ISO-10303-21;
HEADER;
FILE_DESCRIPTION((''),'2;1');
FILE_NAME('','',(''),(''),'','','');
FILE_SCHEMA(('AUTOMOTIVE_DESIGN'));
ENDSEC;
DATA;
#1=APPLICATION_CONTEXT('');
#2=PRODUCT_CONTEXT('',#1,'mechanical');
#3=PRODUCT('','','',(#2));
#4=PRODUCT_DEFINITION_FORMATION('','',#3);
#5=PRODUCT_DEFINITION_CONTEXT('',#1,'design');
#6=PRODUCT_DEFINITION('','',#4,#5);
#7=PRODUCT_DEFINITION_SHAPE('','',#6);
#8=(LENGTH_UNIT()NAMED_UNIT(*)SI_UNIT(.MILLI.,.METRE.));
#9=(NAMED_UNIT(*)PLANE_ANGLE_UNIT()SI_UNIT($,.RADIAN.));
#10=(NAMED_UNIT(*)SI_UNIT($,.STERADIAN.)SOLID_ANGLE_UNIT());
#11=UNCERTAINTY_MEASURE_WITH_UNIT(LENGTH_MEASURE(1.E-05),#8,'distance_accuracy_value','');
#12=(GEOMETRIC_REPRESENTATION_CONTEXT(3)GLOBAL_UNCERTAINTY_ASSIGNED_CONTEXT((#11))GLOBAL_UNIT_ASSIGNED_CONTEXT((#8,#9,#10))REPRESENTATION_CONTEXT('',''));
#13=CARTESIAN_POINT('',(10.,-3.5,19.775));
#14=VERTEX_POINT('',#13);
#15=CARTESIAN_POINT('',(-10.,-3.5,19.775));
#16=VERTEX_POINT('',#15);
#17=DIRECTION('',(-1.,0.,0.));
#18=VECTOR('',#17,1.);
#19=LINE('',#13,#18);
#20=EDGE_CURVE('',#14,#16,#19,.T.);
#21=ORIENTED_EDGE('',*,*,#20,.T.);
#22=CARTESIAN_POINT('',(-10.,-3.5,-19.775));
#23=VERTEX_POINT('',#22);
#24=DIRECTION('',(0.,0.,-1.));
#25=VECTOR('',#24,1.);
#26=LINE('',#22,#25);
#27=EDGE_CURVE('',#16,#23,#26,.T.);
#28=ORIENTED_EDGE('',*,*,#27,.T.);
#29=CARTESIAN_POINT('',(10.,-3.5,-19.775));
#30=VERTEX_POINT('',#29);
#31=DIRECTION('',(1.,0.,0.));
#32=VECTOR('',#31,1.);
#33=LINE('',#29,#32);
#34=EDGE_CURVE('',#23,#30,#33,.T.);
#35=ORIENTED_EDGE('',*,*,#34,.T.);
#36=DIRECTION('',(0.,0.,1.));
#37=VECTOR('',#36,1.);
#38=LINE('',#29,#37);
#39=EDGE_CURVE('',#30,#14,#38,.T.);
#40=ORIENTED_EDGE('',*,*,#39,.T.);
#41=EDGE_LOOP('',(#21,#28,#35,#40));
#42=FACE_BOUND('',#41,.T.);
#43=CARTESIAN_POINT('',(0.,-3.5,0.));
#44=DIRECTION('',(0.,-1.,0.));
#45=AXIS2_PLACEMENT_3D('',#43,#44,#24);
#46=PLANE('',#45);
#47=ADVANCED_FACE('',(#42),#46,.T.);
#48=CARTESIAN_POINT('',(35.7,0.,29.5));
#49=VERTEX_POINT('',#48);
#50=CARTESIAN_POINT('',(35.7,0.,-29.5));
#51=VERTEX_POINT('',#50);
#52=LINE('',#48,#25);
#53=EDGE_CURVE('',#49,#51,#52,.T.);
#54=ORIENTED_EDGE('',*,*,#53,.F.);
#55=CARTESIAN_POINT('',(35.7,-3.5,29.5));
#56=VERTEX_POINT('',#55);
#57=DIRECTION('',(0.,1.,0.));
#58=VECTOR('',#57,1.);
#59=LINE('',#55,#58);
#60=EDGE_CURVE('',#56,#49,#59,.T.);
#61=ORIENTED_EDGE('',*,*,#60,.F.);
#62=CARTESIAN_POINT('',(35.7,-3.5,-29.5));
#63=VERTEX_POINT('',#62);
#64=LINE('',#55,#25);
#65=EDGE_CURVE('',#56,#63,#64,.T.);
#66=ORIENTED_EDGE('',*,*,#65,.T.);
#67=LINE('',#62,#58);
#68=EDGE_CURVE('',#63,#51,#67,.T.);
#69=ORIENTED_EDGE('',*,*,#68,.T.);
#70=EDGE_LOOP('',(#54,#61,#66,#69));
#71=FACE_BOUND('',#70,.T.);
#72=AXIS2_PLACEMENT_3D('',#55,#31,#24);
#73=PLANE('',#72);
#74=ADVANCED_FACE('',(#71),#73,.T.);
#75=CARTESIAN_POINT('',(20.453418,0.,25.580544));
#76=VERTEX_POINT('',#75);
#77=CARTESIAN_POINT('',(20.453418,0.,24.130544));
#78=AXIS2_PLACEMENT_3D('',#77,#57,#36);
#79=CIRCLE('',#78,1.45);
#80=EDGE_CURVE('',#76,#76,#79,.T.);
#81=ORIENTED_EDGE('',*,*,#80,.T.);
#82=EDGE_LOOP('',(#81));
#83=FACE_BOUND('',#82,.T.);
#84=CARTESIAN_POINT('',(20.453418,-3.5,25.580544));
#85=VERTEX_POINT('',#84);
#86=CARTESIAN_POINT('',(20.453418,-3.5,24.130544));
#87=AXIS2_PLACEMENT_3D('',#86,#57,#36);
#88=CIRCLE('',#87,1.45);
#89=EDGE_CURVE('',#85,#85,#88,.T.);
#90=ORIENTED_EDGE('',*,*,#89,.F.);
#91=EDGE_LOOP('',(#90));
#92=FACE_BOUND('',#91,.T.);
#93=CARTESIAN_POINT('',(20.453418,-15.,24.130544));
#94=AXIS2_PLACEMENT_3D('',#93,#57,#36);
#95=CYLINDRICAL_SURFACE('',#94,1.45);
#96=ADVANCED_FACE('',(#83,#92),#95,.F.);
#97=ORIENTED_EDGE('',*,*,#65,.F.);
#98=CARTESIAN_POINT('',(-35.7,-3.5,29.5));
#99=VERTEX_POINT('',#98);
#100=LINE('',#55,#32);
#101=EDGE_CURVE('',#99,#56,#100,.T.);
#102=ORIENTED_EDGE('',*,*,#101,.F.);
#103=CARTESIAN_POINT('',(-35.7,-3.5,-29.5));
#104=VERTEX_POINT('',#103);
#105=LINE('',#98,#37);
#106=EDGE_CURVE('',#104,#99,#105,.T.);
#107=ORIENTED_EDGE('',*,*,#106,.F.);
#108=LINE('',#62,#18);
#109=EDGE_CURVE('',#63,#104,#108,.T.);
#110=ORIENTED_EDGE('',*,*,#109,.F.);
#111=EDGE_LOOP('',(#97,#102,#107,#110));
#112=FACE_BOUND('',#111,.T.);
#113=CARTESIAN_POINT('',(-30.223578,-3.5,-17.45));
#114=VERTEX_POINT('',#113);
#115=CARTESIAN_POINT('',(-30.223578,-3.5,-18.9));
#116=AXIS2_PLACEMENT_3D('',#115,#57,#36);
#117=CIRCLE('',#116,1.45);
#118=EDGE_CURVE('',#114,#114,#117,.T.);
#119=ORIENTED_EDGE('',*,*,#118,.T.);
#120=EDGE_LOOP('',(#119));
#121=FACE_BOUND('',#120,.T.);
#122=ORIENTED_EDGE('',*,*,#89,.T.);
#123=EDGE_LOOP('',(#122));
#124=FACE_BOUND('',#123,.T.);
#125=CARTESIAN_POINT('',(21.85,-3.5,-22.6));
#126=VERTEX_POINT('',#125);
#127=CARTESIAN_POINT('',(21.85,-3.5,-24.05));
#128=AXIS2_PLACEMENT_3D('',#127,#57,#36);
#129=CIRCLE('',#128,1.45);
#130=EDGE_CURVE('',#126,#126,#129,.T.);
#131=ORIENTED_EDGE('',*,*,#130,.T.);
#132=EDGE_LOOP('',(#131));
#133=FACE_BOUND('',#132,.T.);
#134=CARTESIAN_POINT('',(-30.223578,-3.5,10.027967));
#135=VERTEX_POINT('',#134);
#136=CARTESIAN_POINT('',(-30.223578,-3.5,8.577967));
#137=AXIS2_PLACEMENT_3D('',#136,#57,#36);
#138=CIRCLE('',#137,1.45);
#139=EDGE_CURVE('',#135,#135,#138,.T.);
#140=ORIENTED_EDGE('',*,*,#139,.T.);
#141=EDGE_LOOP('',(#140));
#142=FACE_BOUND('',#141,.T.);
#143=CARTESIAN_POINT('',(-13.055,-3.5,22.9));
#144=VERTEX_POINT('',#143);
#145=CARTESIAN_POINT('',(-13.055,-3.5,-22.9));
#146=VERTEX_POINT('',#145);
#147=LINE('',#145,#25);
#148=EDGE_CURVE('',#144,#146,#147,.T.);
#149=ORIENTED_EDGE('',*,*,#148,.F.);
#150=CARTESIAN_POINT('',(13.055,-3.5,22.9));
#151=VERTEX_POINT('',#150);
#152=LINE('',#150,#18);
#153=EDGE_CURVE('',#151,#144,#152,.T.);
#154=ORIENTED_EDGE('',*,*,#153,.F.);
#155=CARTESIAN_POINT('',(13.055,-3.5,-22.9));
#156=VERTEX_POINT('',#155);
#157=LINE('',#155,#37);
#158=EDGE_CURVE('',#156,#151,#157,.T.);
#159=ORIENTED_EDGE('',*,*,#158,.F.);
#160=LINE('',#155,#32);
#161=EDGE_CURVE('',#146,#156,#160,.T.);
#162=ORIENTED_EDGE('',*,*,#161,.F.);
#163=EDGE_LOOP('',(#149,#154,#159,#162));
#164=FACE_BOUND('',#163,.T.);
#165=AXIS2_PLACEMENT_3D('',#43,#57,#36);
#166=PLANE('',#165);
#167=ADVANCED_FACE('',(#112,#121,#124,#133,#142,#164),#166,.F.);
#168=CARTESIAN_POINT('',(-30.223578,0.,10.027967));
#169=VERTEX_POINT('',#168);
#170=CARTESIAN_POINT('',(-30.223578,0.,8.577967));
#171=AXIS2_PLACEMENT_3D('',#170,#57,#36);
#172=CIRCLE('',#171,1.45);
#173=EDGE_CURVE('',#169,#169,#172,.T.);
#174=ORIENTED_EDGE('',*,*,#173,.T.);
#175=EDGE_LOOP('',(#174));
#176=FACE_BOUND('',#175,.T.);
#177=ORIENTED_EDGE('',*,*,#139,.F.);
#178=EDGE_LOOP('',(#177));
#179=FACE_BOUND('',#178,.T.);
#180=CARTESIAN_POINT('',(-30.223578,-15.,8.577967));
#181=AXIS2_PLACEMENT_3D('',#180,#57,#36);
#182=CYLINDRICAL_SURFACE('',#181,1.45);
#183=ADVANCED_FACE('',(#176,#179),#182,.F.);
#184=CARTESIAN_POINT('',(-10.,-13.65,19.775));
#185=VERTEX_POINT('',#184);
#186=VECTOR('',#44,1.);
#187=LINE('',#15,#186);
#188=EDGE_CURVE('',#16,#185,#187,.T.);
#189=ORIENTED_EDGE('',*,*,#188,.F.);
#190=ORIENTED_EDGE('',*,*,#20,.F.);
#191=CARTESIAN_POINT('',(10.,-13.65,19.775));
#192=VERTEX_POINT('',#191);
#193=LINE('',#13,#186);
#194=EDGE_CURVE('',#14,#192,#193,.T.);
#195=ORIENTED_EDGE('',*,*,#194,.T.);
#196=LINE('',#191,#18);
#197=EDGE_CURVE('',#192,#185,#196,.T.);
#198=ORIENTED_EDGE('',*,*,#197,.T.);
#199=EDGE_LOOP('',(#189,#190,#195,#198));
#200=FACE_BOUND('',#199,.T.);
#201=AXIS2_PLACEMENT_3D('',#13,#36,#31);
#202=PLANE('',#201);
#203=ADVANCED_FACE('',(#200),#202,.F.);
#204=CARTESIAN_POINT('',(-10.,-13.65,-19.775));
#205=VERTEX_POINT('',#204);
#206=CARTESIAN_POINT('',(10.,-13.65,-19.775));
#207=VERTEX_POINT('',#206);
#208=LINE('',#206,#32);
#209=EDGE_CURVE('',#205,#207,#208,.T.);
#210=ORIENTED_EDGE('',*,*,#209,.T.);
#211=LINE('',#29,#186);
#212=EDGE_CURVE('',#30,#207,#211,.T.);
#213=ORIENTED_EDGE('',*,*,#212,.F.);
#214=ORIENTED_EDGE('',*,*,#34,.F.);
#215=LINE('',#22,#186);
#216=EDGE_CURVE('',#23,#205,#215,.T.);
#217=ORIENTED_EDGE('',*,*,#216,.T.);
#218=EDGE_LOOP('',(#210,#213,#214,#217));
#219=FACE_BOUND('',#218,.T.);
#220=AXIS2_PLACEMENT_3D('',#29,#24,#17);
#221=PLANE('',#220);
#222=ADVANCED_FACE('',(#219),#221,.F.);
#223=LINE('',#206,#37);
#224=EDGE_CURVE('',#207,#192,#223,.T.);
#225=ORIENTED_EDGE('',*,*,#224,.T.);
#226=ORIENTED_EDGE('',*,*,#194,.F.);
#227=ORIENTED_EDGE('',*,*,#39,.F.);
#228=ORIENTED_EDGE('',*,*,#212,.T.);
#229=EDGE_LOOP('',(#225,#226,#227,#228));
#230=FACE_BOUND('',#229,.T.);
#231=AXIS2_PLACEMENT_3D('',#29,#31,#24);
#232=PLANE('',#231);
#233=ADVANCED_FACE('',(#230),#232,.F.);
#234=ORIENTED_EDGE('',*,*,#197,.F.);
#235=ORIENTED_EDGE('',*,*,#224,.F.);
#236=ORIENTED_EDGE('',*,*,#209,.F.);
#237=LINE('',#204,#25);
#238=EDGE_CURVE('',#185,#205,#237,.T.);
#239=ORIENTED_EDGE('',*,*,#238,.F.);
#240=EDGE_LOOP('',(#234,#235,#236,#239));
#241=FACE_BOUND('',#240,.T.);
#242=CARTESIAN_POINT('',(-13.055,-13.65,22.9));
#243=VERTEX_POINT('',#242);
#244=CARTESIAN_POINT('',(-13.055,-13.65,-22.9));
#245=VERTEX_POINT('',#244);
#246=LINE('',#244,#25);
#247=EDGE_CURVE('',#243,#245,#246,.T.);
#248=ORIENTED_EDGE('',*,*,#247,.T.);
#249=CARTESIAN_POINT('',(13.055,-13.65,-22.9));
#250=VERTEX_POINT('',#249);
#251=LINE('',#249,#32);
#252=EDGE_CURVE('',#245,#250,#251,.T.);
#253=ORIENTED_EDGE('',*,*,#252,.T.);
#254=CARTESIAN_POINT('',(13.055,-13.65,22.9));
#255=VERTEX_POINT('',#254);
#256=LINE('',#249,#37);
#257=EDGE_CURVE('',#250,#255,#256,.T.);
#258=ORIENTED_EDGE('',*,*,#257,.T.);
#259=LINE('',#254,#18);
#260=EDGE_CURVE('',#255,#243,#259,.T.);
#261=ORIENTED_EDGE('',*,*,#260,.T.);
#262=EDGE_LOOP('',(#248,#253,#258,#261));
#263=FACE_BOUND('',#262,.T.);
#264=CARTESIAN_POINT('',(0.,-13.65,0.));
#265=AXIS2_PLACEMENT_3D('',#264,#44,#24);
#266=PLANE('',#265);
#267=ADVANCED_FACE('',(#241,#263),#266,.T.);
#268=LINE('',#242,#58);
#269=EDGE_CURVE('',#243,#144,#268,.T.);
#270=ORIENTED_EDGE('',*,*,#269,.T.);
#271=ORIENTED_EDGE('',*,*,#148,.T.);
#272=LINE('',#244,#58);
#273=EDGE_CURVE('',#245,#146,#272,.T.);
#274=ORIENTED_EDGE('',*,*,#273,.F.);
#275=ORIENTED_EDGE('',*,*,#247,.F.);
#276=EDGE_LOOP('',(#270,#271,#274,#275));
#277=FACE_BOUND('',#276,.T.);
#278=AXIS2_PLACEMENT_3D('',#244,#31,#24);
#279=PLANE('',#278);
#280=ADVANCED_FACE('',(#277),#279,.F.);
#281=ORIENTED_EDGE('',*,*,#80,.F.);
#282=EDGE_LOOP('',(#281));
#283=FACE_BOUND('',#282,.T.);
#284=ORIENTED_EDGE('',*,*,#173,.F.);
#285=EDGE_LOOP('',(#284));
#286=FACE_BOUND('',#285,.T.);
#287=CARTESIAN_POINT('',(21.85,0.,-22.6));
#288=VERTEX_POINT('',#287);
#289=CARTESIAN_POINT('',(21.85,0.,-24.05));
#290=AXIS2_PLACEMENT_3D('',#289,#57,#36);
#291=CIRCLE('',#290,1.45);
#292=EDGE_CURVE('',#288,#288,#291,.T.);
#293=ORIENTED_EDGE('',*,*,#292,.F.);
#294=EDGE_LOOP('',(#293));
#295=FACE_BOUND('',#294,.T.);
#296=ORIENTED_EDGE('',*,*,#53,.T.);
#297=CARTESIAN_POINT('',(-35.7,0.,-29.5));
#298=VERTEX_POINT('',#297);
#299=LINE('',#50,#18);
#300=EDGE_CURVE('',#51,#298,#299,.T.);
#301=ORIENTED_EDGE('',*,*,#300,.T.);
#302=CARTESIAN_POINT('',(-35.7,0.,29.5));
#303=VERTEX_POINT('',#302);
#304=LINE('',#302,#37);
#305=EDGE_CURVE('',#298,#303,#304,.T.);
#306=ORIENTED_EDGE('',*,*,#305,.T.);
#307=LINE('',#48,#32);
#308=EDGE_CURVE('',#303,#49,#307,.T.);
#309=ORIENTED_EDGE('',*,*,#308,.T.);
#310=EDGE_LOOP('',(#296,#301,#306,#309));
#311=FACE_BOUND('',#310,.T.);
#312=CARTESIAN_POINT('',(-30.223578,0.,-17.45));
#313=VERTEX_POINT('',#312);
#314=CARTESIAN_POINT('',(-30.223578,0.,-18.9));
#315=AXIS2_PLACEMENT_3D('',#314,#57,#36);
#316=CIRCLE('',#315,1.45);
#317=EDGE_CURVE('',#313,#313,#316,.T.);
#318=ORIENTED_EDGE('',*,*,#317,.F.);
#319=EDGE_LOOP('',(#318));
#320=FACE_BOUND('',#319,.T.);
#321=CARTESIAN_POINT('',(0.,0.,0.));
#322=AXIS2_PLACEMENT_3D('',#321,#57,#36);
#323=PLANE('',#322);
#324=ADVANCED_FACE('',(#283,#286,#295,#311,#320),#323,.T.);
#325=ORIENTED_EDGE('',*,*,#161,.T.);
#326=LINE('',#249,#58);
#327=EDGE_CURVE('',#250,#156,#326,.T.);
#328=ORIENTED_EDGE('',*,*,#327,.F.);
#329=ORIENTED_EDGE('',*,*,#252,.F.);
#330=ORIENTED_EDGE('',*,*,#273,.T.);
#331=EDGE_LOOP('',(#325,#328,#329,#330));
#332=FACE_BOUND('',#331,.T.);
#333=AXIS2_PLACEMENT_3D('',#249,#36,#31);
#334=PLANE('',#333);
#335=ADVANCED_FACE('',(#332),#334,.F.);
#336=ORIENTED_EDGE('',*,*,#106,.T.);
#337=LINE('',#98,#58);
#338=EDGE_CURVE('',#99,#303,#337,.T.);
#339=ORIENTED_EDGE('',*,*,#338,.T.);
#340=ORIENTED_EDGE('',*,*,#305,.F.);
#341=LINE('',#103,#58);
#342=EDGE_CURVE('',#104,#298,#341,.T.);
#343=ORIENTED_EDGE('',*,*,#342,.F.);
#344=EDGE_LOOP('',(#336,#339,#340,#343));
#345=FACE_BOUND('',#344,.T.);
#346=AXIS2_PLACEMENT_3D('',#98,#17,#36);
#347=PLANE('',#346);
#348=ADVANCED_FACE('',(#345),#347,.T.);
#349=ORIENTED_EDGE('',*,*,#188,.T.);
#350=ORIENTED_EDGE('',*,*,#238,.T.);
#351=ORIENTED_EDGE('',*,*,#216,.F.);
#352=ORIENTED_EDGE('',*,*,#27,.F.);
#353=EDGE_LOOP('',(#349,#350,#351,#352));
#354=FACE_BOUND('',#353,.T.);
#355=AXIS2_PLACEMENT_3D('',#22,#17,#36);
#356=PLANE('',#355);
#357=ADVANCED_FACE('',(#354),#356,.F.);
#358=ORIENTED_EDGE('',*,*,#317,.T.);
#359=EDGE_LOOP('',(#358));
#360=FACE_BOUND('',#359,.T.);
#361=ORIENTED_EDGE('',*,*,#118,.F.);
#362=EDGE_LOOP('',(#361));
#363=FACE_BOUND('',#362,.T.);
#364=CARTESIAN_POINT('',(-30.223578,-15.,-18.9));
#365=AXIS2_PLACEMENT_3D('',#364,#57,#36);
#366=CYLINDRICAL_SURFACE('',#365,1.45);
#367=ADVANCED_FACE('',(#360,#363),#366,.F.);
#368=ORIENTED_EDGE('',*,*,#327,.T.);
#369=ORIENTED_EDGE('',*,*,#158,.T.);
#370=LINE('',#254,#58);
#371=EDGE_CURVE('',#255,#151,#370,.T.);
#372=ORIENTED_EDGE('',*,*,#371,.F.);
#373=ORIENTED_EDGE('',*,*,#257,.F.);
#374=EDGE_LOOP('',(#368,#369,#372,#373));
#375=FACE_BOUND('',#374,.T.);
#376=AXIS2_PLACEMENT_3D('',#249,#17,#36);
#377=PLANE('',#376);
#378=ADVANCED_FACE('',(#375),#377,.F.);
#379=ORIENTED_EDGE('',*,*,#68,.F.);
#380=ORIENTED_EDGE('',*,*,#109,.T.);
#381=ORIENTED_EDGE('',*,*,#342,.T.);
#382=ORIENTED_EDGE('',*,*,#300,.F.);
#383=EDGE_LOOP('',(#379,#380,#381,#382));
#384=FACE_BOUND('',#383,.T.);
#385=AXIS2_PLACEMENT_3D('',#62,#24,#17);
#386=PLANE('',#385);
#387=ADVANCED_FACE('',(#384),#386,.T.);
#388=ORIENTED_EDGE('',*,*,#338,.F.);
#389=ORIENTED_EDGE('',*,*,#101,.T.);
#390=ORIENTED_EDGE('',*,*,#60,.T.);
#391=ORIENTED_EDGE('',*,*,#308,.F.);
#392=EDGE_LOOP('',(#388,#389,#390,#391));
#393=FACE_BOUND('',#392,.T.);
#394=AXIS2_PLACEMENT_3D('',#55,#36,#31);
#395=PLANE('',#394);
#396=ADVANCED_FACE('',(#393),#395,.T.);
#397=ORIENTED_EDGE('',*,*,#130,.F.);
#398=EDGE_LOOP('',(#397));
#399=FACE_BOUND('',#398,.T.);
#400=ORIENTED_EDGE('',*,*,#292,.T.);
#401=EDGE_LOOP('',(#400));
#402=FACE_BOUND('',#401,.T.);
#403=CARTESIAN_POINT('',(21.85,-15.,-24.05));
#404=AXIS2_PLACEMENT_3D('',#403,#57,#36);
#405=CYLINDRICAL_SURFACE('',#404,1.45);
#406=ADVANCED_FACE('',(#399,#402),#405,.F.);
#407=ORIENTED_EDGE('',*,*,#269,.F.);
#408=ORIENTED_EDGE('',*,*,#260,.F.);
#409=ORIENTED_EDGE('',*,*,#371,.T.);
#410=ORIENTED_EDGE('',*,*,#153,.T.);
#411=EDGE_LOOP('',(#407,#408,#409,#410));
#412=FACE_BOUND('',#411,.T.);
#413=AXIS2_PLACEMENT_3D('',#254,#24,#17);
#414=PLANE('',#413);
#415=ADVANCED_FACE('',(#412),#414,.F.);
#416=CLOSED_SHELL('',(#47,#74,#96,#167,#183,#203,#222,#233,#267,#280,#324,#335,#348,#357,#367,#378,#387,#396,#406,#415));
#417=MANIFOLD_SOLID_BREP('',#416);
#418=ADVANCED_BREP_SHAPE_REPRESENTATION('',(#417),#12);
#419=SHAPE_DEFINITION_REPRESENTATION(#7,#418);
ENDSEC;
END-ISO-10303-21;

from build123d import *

# Parameters (mm, degrees)
SKETCH_1_W               = 71.4
SKETCH_1_H               = 59
EXTRUDE_1_DEPTH          = 3.5
CUT_EXTRUDE_4_DEPTH      = 8.5
CUT_EXTRUDE_4_DEPTH_BACK = 15
SKETCH_2_R               = 1.45
SKETCH_5_W               = 26.11
SKETCH_5_H               = 45.8
EXTRUDE_2_DEPTH          = 10.15
SKETCH_6_W               = 20
SKETCH_6_H               = 39.55
CUT_EXTRUDE_5_DEPTH      = 10.15


with BuildPart() as part:
    # 草圖1 → 填料-伸長1 (new body)
    with BuildSketch(Plane(origin=(0, 0, 0), x_dir=(1, 0, 0), z_dir=(0, 1, 0))):
        Rectangle(SKETCH_1_W, SKETCH_1_H)
    extrude(amount=-EXTRUDE_1_DEPTH)

    # 草圖2 → 除料-伸長4 (cut, two sides: drawn at the far end of the back side and taken through both)
    with BuildSketch(Plane(origin=(0, 0, 0), x_dir=(1, 0, 0), z_dir=(0, 1, 0)).offset(-CUT_EXTRUDE_4_DEPTH_BACK)):
        with Locations(Location((20.453418067, -24.130543915, 0), (0, 0, 270))):
            Circle(SKETCH_2_R)
        with Locations(Location((-30.223577589, 18.9, 0), (0, 0, 270))):
            Circle(SKETCH_2_R)
        with Locations(Location((-30.223577589, -8.577967438, 0), (0, 0, 270))):
            Circle(SKETCH_2_R)
        with Locations(Location((21.85, 24.05, 0), (0, 0, 270))):
            Circle(SKETCH_2_R)
    extrude(amount=CUT_EXTRUDE_4_DEPTH + CUT_EXTRUDE_4_DEPTH_BACK, mode=Mode.SUBTRACT)

    # 草圖5 → 填料-伸長2 (add)
    with BuildSketch(Plane(origin=(0, -3.5, 0), x_dir=(-1, 0, 0), z_dir=(0, -1, 0))):
        Rectangle(SKETCH_5_W, SKETCH_5_H)
    extrude(amount=EXTRUDE_2_DEPTH)

    # 草圖6 → 除料-伸長5 (cut)
    with BuildSketch(Plane.XZ.offset(13.65)):
        Rectangle(SKETCH_6_W, SKETCH_6_H)
    extrude(amount=-CUT_EXTRUDE_5_DEPTH, mode=Mode.SUBTRACT)


solid = part.part
